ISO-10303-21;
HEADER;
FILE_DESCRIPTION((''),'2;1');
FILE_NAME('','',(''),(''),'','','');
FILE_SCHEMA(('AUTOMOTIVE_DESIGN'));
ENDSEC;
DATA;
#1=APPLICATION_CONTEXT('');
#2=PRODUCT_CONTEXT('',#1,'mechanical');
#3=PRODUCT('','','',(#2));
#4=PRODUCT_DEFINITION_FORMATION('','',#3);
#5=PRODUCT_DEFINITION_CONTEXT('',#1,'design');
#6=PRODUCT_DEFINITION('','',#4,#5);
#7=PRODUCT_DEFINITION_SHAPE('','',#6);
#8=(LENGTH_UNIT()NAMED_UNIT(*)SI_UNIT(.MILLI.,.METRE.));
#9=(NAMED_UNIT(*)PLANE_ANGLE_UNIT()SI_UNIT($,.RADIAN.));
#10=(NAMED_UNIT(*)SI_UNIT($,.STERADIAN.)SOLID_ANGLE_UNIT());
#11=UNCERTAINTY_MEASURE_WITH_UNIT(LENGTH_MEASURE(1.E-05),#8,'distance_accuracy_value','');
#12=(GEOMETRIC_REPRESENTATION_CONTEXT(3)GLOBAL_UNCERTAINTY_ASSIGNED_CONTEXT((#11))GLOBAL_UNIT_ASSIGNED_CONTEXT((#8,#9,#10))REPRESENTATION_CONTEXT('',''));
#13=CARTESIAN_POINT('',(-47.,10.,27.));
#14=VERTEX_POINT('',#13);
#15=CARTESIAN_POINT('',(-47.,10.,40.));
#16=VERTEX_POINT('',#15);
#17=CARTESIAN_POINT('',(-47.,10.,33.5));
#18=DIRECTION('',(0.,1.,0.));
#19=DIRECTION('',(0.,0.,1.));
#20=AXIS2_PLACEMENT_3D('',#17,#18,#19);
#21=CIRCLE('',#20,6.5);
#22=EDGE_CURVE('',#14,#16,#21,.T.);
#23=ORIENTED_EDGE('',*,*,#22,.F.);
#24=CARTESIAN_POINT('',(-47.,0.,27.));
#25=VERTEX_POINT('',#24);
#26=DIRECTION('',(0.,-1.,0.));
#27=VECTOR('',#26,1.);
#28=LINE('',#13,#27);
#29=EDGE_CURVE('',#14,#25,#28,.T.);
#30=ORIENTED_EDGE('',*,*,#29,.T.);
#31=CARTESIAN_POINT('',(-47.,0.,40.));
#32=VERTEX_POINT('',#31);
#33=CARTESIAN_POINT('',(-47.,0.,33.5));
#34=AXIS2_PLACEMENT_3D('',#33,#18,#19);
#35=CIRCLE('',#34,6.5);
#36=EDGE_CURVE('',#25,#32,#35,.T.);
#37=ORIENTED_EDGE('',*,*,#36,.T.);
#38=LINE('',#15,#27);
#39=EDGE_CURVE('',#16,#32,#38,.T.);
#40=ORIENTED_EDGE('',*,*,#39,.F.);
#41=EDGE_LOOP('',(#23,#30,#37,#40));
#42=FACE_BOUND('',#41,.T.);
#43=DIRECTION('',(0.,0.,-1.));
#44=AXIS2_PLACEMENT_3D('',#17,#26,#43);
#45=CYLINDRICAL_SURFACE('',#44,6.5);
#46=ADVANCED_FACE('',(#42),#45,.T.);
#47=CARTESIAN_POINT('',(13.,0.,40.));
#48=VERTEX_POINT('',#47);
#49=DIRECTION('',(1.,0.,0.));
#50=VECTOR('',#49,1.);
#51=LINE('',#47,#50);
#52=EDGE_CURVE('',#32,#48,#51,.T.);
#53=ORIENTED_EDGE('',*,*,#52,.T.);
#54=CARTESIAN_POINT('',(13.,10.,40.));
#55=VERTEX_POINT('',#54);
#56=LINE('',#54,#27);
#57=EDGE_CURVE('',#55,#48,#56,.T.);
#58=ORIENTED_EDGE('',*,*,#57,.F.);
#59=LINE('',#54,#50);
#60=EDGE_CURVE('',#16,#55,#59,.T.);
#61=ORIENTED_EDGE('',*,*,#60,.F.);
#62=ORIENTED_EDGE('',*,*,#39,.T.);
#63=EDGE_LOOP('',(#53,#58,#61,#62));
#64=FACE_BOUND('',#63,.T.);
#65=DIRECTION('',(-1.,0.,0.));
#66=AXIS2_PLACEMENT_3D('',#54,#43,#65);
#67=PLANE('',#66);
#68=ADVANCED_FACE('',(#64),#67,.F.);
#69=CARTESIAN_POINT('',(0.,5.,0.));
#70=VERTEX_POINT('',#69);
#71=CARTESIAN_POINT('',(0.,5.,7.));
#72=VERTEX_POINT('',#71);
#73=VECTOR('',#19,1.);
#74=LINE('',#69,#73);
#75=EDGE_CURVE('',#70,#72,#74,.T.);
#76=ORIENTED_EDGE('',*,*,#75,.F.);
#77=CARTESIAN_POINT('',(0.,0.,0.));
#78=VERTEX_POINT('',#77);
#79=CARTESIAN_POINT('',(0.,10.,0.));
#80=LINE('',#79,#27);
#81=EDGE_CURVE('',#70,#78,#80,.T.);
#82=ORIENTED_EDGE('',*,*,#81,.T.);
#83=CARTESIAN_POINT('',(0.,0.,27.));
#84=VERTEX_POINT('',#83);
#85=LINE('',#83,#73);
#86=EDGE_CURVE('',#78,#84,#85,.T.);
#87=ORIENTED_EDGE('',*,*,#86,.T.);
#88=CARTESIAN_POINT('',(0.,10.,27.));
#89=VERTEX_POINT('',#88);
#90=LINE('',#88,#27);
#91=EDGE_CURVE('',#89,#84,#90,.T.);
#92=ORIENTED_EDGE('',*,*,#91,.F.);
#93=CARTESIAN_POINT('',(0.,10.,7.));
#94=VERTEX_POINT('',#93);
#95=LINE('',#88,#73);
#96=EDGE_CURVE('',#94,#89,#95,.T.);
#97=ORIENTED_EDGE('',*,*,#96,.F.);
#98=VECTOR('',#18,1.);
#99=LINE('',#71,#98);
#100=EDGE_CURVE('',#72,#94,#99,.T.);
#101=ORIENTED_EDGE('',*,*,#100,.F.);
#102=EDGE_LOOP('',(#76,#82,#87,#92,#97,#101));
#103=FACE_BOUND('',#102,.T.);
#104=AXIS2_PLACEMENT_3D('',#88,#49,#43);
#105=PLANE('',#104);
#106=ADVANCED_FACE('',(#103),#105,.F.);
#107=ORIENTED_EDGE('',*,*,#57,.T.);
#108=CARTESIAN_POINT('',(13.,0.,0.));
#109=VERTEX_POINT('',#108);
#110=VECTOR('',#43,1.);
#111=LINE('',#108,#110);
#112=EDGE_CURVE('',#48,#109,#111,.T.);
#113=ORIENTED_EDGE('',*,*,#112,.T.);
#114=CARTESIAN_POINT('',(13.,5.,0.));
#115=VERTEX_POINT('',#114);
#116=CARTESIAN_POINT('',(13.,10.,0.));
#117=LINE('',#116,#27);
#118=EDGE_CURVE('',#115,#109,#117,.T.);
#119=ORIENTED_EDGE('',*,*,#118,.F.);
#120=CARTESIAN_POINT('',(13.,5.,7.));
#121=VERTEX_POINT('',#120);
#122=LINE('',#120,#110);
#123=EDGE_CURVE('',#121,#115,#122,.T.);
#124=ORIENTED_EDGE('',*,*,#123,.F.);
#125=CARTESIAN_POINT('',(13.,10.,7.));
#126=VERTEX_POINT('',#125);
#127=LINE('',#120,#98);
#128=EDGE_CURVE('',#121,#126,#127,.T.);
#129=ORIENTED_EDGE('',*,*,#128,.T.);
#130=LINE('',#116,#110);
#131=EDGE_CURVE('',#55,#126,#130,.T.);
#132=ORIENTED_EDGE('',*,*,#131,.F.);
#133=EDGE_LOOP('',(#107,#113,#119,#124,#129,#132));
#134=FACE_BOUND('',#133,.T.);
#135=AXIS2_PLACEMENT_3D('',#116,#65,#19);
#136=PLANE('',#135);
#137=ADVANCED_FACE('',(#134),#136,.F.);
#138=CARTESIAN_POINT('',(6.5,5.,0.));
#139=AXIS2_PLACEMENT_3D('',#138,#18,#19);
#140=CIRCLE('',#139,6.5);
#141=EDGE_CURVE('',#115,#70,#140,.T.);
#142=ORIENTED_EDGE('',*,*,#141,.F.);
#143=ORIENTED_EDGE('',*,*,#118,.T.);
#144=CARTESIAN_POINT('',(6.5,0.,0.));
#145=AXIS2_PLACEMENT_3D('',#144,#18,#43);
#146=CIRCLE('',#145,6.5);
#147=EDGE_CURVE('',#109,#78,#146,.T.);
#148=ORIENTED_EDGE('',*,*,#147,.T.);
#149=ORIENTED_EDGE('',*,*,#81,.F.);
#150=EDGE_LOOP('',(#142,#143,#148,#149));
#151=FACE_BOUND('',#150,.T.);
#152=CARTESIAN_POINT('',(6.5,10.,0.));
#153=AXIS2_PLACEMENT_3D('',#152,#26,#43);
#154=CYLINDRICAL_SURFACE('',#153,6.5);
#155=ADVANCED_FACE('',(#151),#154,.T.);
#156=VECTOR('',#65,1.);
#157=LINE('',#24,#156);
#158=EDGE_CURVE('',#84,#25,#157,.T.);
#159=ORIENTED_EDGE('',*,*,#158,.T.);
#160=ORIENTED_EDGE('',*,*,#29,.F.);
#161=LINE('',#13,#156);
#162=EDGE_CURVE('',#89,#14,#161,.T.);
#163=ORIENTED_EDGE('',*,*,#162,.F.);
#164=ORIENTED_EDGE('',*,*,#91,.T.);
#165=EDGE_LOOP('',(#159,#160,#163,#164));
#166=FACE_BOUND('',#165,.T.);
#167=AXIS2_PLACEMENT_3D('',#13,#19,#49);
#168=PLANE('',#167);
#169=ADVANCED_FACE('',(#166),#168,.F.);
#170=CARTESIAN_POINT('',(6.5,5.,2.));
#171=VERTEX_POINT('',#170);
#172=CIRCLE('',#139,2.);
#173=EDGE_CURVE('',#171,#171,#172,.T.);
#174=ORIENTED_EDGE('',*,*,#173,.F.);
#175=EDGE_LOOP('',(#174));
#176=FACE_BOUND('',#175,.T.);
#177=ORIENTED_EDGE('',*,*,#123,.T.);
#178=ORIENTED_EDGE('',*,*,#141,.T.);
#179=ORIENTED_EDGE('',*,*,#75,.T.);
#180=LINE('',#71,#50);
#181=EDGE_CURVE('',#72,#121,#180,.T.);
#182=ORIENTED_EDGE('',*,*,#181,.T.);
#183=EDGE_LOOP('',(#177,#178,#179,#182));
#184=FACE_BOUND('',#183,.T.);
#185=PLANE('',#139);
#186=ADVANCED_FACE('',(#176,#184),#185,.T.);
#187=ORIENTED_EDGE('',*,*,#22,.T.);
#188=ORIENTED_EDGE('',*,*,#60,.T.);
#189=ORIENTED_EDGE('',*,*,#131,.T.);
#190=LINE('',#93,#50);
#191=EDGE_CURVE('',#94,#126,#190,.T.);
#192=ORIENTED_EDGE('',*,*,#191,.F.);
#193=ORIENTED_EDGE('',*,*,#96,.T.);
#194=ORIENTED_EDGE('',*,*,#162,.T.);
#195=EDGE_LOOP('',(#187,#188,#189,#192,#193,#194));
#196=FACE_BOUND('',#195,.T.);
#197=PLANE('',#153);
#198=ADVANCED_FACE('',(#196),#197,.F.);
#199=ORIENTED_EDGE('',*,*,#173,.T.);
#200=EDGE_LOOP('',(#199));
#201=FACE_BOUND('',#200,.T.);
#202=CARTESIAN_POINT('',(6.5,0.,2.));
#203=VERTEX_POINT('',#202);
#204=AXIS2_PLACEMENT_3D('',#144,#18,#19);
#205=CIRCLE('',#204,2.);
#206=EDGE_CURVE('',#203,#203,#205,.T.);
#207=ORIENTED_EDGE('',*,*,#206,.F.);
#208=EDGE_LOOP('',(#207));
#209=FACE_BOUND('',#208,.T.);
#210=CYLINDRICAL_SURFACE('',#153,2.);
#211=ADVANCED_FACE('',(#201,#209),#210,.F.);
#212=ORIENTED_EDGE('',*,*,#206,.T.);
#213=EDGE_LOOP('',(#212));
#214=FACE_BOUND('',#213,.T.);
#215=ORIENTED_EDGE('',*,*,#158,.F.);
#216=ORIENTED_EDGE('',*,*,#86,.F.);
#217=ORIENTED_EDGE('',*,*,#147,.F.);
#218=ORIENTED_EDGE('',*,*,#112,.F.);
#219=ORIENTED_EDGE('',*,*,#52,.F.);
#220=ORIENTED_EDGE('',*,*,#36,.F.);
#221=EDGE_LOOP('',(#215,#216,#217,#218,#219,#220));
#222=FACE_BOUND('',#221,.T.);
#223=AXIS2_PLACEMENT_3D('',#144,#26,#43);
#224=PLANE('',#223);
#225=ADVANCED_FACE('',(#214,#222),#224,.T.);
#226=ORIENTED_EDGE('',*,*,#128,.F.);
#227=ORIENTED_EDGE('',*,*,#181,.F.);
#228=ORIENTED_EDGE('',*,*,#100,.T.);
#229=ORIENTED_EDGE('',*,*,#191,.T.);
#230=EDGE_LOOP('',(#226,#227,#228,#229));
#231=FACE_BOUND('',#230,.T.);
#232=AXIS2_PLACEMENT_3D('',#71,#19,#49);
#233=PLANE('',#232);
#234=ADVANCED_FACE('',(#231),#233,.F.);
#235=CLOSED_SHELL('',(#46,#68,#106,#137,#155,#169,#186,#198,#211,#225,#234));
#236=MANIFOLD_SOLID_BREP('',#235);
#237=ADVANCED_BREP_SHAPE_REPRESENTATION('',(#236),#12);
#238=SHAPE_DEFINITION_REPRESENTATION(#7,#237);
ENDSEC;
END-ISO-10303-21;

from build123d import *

# Parameters (mm, degrees)
CROQUIS1_R              = 2
SALIENTE_EXTRUIR1_DEPTH = 10
CORTAR_EXTRUIR1_START   = -5
CROQUIS2_R              = 2
CORTAR_EXTRUIR1_DEPTH   = 5


with BuildPart() as part:
    # Croquis1 → Saliente-Extruir1 (new body)
    with BuildSketch(Plane(origin=(0, 0, 0), x_dir=(1, 0, 0), z_dir=(0, 1, 0))):
        with BuildLine():
            Line((13, 0), (13, -40))
            Line((13, -40), (-47, -40))
            ThreePointArc((-47, -40), (-53.5, -33.5), (-47, -27))
            Line((-47, -27), (0, -27))
            Line((0, -27), (0, 0))
            ThreePointArc((0, 0), (6.5, 6.5), (13, 0))
        make_face()
        with Locations(Location((6.5, 0, 0), (0, 0, 270))):
            Circle(CROQUIS1_R, mode=Mode.SUBTRACT)
    extrude(amount=SALIENTE_EXTRUIR1_DEPTH)

    # Croquis2 → Cortar-Extruir1 (cut)
    with BuildSketch(Plane(origin=(0, 10, 0), x_dir=(1, 0, 0), z_dir=(0, 1, 0)).offset(CORTAR_EXTRUIR1_START)):
        with BuildLine():
            Line((0, 0), (0, -7))
            Line((0, -7), (13, -7))
            Line((13, -7), (13, 0))
            ThreePointArc((13, 0), (6.5, 6.5), (0, 0))
        make_face()
        with Locations(Location((6.5, 0, 0), (0, 0, 270))):
            Circle(CROQUIS2_R, mode=Mode.SUBTRACT)
    extrude(amount=CORTAR_EXTRUIR1_DEPTH, mode=Mode.SUBTRACT)


solid = part.part
